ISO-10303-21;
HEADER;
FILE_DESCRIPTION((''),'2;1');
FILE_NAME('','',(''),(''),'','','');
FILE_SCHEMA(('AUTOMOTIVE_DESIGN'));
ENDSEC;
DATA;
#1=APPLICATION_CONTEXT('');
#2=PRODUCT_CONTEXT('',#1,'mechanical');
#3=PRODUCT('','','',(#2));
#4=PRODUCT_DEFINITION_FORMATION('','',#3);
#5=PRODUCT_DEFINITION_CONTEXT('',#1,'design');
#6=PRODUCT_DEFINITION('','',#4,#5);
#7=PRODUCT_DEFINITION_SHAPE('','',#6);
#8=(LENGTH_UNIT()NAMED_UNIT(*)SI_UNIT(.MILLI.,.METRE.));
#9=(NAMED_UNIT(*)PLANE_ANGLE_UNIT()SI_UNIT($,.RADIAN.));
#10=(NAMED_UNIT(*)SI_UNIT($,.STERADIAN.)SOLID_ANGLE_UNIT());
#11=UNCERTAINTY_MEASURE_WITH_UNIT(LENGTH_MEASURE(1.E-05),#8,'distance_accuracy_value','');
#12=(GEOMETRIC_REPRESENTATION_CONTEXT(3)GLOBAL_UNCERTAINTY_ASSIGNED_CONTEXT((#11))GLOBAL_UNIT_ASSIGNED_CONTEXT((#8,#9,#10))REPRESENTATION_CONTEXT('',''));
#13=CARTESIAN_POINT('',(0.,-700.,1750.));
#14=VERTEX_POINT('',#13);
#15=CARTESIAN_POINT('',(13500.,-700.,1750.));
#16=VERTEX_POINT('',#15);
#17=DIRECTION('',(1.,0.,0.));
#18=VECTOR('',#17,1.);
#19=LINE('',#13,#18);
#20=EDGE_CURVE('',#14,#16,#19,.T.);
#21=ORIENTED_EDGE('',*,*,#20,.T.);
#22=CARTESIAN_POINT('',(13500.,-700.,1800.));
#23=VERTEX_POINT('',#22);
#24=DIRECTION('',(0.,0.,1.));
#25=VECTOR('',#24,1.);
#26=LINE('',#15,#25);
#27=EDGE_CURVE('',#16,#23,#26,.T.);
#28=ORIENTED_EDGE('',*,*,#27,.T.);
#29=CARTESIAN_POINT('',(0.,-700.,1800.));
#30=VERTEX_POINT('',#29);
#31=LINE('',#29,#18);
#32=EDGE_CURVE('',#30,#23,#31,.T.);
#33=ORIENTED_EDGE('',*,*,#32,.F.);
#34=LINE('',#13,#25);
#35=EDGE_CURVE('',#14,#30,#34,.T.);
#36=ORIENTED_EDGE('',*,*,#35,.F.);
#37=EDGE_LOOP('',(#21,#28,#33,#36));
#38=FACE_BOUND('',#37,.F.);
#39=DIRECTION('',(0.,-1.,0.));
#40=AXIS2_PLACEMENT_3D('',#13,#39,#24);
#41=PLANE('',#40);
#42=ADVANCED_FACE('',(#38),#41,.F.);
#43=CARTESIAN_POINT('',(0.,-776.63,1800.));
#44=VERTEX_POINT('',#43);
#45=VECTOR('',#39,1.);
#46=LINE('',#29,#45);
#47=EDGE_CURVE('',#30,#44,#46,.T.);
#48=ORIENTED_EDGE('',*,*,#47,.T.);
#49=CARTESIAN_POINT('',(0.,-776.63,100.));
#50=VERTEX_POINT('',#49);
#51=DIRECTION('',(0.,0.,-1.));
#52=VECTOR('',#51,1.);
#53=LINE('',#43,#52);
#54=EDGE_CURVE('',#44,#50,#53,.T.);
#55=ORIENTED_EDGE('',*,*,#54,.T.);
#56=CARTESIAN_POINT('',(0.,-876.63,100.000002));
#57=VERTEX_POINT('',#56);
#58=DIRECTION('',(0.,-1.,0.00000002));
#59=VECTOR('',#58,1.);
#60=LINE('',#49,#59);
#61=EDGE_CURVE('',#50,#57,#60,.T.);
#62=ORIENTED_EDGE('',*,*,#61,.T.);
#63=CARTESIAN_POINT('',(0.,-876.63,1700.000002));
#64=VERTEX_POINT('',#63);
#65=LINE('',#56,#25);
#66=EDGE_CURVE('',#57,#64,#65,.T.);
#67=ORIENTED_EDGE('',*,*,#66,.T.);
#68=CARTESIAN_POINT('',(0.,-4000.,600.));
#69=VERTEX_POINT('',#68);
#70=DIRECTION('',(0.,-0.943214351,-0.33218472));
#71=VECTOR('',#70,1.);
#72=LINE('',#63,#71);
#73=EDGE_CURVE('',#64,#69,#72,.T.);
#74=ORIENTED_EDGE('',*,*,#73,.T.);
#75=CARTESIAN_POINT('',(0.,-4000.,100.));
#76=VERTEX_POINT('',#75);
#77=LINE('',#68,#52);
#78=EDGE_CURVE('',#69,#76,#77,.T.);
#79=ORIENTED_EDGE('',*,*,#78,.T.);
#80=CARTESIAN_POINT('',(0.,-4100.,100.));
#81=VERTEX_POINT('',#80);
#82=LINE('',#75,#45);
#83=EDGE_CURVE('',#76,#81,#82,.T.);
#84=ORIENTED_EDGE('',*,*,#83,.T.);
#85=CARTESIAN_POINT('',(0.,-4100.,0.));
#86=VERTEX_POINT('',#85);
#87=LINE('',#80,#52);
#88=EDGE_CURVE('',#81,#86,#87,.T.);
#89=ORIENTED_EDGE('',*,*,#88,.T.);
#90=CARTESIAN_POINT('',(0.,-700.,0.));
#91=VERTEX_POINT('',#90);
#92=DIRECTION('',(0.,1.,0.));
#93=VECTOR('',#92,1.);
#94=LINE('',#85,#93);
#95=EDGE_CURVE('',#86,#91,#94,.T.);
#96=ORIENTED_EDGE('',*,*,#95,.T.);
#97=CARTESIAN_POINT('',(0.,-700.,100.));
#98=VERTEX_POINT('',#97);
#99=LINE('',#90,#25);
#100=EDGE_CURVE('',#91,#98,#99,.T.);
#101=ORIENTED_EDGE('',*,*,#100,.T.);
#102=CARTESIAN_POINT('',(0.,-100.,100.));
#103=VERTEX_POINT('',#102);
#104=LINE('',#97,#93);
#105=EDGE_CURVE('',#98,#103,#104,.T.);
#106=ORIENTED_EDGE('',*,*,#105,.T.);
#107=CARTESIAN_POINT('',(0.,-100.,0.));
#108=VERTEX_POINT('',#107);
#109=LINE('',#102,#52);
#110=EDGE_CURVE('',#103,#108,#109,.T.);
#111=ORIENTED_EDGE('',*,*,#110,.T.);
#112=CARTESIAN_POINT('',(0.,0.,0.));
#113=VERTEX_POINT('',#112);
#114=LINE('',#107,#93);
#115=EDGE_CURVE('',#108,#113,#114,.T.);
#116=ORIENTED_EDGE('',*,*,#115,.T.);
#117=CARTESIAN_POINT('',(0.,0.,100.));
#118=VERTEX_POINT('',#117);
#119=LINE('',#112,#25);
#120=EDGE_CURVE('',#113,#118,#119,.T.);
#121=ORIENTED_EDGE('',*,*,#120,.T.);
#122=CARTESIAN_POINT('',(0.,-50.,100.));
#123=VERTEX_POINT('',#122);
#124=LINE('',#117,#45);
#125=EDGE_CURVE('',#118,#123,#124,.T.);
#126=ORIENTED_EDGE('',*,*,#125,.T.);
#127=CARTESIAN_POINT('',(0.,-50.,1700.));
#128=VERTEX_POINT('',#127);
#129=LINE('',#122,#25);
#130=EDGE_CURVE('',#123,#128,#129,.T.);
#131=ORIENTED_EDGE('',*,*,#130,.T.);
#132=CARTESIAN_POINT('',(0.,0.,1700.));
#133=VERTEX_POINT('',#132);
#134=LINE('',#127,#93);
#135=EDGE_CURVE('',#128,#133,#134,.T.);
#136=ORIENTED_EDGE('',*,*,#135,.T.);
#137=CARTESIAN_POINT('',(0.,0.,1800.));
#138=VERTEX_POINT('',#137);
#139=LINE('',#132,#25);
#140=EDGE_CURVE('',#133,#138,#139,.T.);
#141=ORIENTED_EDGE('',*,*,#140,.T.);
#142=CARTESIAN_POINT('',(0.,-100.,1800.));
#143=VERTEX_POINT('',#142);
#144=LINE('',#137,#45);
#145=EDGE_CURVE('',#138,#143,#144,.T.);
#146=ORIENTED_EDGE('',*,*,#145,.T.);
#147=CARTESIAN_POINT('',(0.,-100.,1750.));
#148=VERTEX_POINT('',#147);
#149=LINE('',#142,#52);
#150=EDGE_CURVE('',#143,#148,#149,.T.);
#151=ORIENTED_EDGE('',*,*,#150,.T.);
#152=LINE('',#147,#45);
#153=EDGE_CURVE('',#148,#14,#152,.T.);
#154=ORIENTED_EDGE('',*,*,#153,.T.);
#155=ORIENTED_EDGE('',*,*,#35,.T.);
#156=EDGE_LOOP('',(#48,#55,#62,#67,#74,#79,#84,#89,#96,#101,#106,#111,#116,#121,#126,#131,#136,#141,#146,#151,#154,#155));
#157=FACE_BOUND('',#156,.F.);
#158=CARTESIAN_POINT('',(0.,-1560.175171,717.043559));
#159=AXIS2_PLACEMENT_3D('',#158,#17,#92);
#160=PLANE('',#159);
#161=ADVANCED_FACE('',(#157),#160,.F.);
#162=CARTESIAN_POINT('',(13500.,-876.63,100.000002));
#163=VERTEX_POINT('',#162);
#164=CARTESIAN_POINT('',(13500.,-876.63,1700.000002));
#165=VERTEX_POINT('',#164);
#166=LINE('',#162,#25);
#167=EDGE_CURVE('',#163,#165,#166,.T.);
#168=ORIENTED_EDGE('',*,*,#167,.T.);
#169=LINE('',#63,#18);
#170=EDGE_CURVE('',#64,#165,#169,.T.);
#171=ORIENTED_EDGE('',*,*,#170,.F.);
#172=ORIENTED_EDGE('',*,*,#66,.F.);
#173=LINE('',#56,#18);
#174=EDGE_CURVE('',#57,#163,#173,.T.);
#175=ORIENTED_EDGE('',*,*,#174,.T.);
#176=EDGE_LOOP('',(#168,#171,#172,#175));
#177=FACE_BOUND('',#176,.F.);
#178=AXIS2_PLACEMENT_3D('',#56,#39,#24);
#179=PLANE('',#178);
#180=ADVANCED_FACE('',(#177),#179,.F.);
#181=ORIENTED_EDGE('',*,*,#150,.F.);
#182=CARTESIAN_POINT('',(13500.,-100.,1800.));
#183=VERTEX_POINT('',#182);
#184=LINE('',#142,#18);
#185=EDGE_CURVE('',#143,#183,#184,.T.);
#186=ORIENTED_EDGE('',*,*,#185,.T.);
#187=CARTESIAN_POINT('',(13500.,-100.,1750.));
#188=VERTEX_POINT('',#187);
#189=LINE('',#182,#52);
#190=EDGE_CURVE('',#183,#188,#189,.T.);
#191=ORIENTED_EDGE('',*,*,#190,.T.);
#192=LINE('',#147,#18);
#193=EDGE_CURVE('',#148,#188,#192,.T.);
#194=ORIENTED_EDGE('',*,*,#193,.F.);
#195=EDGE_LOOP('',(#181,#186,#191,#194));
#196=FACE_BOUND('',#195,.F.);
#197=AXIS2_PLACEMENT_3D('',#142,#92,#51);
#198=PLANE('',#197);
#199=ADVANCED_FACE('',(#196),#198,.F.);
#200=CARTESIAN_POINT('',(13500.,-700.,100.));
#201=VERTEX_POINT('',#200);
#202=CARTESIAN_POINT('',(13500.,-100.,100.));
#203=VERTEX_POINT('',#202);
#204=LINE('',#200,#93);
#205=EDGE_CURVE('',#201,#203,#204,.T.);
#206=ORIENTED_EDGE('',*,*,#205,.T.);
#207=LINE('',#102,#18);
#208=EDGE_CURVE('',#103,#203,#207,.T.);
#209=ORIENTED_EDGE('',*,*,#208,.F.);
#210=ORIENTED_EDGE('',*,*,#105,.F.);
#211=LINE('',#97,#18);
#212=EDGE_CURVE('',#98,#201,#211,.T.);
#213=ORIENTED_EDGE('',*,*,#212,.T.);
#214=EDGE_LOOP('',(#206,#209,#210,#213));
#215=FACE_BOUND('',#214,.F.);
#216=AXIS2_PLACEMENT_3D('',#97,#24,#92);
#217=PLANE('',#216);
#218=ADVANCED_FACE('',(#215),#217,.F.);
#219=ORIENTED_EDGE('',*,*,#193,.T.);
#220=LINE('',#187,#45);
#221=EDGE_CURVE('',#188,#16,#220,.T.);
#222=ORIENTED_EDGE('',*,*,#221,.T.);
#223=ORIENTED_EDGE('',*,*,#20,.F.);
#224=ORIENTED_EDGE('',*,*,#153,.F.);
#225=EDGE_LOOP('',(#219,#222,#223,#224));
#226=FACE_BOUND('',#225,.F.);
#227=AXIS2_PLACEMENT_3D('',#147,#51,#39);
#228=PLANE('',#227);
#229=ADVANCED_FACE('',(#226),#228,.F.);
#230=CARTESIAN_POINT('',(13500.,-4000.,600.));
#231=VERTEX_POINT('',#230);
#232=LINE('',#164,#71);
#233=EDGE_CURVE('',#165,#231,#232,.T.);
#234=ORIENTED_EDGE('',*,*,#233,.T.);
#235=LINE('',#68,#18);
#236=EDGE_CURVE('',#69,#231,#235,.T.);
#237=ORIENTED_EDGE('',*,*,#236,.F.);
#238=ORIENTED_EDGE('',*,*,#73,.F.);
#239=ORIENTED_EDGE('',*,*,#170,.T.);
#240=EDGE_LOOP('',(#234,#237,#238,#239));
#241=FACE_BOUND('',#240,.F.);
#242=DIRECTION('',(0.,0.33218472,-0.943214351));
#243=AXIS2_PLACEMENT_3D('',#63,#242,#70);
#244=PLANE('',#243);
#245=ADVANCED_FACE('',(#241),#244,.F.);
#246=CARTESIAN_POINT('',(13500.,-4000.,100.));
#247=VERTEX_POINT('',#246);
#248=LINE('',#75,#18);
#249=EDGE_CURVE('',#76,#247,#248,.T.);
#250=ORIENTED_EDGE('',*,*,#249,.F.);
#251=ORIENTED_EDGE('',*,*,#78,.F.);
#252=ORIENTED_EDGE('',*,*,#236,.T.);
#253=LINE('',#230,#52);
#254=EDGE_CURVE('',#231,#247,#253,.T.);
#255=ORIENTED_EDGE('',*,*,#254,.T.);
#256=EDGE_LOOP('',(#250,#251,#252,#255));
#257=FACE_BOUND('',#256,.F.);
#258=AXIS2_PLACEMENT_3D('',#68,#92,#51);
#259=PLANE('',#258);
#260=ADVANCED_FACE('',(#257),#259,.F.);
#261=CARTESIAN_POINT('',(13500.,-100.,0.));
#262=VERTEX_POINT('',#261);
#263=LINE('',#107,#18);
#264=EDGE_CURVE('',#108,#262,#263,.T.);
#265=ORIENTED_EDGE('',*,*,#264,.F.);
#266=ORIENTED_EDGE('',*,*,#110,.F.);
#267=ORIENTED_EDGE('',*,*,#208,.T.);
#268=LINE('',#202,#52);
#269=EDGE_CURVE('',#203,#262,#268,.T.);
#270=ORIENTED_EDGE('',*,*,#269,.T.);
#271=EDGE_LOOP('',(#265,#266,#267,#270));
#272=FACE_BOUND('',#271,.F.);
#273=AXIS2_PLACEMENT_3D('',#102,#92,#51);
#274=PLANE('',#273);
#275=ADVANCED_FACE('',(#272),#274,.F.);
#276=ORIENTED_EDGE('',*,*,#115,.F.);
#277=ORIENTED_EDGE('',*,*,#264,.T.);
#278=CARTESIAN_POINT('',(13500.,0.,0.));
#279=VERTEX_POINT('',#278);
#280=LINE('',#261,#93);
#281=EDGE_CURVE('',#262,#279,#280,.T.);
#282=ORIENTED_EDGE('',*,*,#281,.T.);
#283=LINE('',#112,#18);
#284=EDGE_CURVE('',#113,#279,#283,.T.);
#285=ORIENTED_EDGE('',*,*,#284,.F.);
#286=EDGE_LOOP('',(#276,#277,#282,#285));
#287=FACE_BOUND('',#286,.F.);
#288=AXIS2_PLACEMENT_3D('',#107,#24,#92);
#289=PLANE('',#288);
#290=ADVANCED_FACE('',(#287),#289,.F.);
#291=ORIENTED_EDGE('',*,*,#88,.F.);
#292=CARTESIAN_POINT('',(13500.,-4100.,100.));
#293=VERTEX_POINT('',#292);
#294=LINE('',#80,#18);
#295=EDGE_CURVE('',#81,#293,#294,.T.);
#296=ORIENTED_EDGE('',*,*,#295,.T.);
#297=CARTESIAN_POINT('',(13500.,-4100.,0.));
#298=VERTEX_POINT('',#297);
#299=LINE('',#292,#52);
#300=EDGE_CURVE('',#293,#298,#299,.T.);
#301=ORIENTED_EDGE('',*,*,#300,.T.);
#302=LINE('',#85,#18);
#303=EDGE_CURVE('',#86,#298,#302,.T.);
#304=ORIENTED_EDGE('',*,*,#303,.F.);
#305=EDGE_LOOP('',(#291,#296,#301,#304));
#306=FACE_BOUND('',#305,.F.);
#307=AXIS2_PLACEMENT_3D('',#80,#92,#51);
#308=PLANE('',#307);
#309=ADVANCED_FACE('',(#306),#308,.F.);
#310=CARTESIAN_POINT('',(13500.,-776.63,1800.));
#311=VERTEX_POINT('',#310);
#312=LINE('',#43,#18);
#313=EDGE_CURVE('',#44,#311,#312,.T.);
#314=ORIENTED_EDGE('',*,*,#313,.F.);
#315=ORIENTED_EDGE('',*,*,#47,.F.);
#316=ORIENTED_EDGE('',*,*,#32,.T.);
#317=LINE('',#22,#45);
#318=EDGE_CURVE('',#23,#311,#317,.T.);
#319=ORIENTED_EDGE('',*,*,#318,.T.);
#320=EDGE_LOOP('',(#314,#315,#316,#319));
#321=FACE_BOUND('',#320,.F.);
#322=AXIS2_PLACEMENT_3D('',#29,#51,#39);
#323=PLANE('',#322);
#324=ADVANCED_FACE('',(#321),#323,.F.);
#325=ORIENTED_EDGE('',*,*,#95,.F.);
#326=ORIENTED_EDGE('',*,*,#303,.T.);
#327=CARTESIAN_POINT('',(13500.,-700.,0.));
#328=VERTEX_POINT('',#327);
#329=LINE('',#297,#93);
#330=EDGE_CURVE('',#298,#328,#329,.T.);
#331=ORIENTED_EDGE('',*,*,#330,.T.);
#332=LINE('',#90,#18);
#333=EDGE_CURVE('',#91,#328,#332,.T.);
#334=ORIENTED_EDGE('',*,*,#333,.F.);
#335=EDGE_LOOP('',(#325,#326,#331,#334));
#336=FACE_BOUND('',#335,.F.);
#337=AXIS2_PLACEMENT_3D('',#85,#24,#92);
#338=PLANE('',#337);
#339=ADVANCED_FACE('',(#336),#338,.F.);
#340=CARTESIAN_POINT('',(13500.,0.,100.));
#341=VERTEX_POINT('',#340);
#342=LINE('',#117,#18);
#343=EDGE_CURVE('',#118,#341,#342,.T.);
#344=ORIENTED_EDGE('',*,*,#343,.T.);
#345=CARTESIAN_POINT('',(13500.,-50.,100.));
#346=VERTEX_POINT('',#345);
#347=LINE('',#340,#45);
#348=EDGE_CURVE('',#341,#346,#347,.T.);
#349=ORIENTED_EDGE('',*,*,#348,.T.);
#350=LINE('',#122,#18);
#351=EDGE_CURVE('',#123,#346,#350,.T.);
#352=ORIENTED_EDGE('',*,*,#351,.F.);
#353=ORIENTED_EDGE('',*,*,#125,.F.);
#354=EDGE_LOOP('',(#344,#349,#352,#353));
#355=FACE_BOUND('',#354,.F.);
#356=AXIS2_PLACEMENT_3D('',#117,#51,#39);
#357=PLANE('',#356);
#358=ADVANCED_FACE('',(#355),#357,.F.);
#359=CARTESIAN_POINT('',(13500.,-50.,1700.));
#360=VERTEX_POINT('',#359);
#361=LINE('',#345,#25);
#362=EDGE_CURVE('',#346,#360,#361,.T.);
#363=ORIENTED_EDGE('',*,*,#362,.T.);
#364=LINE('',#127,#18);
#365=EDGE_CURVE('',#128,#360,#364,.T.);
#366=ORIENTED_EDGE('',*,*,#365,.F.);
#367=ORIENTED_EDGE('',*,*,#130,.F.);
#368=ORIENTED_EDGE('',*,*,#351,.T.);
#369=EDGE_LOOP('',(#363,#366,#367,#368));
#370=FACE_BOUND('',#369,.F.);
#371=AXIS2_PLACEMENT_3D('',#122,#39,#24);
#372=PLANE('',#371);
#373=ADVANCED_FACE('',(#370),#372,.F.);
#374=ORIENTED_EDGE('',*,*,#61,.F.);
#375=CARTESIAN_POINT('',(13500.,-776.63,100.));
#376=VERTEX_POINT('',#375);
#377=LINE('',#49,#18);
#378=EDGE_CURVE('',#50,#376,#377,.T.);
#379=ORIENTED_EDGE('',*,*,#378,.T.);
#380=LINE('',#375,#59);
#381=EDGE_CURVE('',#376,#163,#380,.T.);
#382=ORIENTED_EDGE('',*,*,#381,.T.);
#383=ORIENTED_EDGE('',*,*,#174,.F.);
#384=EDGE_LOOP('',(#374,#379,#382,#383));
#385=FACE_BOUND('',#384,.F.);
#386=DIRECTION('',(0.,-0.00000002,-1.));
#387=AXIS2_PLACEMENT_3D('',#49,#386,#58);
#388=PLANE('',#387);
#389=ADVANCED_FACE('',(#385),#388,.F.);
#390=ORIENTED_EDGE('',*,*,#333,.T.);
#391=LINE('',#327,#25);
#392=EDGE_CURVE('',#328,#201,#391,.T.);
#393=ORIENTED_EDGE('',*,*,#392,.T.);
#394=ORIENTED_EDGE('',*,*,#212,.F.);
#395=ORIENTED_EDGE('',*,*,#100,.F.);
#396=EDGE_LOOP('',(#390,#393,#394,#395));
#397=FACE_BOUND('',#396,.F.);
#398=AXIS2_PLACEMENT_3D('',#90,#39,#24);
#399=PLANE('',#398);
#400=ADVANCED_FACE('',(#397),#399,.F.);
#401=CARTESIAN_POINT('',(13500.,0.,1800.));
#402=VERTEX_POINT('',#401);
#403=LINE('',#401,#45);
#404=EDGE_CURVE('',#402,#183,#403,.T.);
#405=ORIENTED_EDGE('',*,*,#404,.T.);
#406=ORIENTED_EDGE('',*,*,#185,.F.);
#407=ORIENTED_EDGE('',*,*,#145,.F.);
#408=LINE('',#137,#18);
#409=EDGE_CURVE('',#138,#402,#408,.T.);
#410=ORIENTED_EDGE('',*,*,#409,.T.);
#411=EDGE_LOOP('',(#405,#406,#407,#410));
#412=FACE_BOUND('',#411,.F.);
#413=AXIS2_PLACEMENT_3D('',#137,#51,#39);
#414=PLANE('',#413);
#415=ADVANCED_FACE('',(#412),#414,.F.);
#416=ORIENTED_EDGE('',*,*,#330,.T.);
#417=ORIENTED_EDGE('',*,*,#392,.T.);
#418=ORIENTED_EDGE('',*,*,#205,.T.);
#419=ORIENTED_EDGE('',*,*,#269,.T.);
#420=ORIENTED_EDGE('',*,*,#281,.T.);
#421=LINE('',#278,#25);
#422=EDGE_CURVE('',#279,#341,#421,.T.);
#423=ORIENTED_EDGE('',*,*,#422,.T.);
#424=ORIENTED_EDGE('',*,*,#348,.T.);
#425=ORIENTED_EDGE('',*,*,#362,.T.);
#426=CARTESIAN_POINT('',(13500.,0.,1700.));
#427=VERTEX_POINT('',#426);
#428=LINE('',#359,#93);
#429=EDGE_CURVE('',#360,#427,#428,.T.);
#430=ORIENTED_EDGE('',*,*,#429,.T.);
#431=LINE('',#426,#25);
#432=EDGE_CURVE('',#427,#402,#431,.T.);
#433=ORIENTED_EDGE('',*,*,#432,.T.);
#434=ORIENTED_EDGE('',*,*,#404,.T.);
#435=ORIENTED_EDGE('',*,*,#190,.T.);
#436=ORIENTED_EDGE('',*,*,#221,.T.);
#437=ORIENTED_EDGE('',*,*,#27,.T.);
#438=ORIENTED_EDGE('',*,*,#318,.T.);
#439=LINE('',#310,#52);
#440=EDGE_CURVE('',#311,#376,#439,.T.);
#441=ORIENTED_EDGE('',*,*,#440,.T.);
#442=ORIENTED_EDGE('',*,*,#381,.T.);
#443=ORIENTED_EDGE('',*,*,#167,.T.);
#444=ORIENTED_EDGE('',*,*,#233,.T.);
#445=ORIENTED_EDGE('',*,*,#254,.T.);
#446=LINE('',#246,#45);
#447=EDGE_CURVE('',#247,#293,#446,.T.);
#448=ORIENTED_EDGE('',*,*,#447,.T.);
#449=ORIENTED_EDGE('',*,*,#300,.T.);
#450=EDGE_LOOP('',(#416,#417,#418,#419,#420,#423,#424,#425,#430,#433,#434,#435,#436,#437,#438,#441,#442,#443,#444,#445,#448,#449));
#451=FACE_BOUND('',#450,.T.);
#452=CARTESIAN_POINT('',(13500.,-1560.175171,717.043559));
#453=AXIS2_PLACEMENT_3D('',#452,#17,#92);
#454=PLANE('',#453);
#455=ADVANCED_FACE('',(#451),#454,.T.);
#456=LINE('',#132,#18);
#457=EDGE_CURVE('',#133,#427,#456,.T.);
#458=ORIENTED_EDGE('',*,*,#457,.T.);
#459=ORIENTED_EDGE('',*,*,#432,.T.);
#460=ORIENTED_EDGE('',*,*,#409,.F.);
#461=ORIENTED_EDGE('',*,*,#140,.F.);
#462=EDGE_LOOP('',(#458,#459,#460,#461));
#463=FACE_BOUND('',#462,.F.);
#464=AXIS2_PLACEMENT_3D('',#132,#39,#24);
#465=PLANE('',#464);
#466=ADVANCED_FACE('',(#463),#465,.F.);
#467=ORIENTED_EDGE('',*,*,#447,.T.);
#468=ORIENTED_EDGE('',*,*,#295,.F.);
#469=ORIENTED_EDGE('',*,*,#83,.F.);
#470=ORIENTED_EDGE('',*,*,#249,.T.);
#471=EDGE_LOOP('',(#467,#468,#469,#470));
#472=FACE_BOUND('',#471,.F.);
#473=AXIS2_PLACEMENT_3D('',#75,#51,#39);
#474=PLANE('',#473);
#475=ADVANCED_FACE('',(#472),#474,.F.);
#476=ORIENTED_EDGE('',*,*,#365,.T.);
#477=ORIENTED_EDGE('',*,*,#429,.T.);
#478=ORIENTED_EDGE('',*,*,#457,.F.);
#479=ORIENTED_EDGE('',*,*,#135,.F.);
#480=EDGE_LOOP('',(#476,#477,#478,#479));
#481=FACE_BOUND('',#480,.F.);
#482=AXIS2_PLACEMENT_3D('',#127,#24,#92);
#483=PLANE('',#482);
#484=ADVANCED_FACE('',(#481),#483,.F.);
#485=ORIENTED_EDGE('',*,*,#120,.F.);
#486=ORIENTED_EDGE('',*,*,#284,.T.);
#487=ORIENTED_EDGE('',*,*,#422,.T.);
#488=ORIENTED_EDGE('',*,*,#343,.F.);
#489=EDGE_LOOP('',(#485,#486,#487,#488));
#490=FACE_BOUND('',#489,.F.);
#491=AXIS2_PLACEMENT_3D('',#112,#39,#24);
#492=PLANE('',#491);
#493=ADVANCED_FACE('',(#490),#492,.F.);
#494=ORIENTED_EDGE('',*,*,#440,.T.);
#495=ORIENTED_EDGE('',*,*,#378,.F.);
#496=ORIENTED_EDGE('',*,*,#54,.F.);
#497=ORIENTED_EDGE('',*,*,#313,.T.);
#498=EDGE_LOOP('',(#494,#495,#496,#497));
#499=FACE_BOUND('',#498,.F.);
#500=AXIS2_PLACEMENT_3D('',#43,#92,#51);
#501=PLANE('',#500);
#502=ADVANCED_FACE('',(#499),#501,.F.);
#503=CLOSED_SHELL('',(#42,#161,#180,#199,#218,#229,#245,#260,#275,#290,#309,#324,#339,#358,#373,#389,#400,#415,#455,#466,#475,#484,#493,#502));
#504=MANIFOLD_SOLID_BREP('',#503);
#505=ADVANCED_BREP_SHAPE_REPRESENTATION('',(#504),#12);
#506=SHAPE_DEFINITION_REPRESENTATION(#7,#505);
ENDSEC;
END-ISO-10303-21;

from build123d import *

# Parameters (mm, degrees)
F1_DEPTH = 13500


with BuildPart() as f1:
    # F0 (on Right) → F1 (new body)
    with BuildSketch(Plane.YZ):
        Polygon((-100, 0), (0, 0), (0, 100), (-50, 100), (-50, 1700), (0, 1700), (0, 1800), (-100, 1800), (-100, 1750), (-700, 1750), (-700, 1800), (-776.63, 1800), (-776.63, 1750), (-776.63, 100), (-876.63, 100.000002), (-876.63, 1700.000002), (-4000, 600), (-4000, 100), (-4100, 100), (-4100, 0), (-900, 0), (-800, 0), (-700, 0), (-700, 100), (-100, 100), align=None)
    extrude(amount=F1_DEPTH)


solid = f1.part
